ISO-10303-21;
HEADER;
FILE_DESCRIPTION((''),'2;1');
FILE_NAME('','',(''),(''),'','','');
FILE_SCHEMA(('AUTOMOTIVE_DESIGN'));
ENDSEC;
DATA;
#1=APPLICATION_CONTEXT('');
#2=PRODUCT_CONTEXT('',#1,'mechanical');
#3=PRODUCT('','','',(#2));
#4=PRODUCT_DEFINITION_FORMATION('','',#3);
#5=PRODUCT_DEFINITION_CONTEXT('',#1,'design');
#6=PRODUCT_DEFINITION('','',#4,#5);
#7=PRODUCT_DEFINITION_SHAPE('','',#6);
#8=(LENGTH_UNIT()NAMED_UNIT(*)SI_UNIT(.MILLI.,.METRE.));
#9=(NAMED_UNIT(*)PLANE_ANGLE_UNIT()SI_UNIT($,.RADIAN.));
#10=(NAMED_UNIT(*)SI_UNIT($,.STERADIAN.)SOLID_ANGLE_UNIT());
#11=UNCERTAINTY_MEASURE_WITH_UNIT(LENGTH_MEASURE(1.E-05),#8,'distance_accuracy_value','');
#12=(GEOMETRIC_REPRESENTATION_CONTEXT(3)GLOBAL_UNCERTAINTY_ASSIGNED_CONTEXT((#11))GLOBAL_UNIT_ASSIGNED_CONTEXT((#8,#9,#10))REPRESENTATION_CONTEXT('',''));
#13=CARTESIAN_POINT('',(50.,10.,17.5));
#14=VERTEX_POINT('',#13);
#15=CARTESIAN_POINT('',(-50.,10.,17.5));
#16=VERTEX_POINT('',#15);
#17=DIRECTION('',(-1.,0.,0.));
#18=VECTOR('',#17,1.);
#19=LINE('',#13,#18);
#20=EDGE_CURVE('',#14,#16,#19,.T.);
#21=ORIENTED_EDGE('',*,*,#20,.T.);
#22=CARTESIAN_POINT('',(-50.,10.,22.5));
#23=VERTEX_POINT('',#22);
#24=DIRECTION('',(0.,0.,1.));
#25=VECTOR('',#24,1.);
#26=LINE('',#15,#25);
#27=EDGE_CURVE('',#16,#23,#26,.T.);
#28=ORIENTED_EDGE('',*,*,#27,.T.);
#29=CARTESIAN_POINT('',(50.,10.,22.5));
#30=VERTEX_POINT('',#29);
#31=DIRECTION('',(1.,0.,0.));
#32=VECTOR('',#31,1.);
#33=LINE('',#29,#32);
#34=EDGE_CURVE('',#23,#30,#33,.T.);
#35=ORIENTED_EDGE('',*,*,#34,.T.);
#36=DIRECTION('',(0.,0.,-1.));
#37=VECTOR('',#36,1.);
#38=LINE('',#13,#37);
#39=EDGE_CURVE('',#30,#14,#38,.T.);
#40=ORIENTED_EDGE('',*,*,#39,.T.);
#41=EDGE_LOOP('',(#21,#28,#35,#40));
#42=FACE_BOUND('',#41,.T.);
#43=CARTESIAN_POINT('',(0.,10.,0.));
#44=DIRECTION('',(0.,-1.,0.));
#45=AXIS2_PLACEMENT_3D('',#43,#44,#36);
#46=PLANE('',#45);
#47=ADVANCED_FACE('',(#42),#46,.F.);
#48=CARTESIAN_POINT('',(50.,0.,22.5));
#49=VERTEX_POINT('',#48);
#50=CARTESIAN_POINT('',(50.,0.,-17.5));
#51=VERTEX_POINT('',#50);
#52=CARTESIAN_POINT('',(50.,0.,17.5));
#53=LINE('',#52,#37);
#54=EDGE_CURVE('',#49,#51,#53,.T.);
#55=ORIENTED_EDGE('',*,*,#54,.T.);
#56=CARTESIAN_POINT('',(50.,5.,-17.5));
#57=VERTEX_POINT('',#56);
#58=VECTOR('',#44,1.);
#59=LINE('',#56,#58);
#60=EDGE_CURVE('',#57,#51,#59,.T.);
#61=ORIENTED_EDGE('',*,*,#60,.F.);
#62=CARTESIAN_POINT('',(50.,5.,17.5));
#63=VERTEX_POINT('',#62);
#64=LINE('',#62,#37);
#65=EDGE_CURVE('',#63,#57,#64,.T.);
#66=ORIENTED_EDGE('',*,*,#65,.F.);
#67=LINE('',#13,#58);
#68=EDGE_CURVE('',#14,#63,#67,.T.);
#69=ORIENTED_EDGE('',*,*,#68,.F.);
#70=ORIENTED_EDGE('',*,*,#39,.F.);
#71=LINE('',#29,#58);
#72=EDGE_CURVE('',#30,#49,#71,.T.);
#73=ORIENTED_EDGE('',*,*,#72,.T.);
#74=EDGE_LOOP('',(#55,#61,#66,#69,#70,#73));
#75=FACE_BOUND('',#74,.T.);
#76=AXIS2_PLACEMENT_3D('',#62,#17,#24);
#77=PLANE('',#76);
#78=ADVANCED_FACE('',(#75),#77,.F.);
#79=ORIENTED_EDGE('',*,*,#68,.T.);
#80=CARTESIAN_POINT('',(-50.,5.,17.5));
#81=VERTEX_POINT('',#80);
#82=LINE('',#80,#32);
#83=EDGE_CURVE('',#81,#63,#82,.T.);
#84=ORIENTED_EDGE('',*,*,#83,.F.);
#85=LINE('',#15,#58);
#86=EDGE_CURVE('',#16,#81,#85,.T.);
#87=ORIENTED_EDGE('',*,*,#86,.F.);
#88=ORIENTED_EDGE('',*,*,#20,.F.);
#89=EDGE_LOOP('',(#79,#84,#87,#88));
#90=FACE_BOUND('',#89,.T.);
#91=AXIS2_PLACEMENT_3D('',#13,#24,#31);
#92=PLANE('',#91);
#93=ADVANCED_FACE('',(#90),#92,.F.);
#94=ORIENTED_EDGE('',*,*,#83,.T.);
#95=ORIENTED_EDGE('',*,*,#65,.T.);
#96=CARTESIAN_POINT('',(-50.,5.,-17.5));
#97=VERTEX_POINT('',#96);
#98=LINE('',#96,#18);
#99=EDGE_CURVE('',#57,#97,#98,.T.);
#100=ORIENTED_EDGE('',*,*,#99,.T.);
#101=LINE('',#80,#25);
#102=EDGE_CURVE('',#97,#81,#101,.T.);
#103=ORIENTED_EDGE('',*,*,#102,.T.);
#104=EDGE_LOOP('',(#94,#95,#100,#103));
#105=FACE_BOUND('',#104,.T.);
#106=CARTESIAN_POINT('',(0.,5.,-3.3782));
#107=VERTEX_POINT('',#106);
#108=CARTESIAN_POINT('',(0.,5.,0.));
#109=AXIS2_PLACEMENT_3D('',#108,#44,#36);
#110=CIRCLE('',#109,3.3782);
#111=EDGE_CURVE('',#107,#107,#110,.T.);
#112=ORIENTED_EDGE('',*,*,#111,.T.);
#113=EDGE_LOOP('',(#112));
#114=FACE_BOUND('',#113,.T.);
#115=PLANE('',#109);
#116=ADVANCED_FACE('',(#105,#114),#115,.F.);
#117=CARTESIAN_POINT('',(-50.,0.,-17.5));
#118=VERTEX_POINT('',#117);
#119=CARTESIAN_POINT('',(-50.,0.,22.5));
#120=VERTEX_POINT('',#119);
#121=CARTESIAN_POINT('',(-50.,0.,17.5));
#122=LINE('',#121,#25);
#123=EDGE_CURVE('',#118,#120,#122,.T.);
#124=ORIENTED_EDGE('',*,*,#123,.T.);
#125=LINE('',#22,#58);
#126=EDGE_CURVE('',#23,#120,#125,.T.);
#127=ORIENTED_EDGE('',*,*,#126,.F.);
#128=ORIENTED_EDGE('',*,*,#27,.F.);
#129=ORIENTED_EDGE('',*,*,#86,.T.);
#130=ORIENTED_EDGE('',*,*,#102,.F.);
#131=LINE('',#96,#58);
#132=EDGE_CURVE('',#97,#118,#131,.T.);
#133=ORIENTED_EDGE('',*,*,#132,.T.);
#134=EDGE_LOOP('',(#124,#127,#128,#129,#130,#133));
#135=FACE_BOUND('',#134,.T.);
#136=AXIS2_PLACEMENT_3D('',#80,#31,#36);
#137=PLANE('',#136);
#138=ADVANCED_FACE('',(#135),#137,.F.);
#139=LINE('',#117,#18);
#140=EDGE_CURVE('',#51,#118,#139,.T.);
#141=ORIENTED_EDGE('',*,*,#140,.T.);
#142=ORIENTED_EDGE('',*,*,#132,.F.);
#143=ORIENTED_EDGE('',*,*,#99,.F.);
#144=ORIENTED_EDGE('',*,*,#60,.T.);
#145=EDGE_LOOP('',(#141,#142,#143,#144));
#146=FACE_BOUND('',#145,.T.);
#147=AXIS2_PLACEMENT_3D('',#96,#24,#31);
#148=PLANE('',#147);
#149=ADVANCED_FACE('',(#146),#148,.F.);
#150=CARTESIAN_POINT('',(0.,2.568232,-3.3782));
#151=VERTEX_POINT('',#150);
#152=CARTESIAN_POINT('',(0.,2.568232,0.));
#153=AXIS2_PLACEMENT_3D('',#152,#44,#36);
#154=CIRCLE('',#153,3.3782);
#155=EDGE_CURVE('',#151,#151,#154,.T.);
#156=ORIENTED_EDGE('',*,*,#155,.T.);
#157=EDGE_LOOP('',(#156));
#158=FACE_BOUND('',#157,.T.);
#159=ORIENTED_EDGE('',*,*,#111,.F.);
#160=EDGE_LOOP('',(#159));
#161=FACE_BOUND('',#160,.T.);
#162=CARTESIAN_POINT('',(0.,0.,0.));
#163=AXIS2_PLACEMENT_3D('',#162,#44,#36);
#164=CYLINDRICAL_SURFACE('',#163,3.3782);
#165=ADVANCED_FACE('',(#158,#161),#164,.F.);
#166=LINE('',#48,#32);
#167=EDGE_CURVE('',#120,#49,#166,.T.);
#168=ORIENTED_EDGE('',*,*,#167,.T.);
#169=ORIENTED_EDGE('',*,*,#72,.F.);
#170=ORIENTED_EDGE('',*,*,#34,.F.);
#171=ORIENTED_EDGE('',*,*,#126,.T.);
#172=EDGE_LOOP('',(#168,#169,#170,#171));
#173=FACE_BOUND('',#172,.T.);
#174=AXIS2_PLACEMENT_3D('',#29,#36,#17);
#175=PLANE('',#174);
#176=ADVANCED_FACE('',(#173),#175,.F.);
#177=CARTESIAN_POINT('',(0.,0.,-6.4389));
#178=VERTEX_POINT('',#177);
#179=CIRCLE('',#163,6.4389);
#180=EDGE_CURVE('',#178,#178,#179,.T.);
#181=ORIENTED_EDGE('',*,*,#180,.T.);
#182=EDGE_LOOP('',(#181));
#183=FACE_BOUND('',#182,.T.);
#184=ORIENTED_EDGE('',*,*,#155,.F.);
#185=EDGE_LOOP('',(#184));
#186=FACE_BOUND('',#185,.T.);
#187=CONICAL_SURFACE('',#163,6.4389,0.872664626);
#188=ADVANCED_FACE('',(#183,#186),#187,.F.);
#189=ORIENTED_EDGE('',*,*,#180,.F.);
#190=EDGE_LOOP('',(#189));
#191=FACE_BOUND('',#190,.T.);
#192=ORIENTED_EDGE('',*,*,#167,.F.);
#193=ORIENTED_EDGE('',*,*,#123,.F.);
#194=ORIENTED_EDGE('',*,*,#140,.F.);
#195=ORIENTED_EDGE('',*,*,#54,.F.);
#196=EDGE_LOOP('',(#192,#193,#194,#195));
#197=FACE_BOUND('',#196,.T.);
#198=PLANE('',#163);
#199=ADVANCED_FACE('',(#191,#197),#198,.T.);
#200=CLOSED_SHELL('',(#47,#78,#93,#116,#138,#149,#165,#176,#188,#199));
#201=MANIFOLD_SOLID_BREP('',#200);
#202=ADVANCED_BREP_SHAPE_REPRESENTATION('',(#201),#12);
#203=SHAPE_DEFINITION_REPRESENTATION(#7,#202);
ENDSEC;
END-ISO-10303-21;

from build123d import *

# Parameters (mm, degrees)
SKETCH1_W                                           = 100
SKETCH1_H                                           = 35
BOSS_EXTRUDE1_DEPTH                                 = 5
SKETCH2_W                                           = 100
SKETCH2_H                                           = 5
BOSS_EXTRUDE2_DEPTH                                 = 10
CSK_FOR_1_4_FLAT_HEAD_MACHINE_SCREW_100_D           = 6.7564
CSK_FOR_1_4_FLAT_HEAD_MACHINE_SCREW_100_CSINK_D     = 12.8778
CSK_FOR_1_4_FLAT_HEAD_MACHINE_SCREW_100_CSINK_ANGLE = 100


with BuildPart() as part:
    # Sketch1 → Boss-Extrude1 (new body)
    with BuildSketch(Plane(origin=(0, 0, 0), x_dir=(1, 0, 0), z_dir=(0, 1, 0))):
        Rectangle(SKETCH1_W, SKETCH1_H)
    extrude(amount=BOSS_EXTRUDE1_DEPTH)

    # Sketch2 → Boss-Extrude2 (add)
    with BuildSketch(Plane(origin=(0, 0, 0), x_dir=(1, 0, 0), z_dir=(0, 1, 0))):
        with Locations((0, -20)):
            Rectangle(SKETCH2_W, SKETCH2_H)
    extrude(amount=BOSS_EXTRUDE2_DEPTH)

    # CSK for 1/4 Flat Head Machine Screw (100)1 (through all)
    with Locations(Plane(origin=(0, 0, 0), x_dir=(-1, 0, 0), z_dir=(0, -1, 0))):
        with Locations((0, 0)):
            CounterSinkHole(CSK_FOR_1_4_FLAT_HEAD_MACHINE_SCREW_100_D / 2, CSK_FOR_1_4_FLAT_HEAD_MACHINE_SCREW_100_CSINK_D / 2, counter_sink_angle=CSK_FOR_1_4_FLAT_HEAD_MACHINE_SCREW_100_CSINK_ANGLE)


solid = part.part
